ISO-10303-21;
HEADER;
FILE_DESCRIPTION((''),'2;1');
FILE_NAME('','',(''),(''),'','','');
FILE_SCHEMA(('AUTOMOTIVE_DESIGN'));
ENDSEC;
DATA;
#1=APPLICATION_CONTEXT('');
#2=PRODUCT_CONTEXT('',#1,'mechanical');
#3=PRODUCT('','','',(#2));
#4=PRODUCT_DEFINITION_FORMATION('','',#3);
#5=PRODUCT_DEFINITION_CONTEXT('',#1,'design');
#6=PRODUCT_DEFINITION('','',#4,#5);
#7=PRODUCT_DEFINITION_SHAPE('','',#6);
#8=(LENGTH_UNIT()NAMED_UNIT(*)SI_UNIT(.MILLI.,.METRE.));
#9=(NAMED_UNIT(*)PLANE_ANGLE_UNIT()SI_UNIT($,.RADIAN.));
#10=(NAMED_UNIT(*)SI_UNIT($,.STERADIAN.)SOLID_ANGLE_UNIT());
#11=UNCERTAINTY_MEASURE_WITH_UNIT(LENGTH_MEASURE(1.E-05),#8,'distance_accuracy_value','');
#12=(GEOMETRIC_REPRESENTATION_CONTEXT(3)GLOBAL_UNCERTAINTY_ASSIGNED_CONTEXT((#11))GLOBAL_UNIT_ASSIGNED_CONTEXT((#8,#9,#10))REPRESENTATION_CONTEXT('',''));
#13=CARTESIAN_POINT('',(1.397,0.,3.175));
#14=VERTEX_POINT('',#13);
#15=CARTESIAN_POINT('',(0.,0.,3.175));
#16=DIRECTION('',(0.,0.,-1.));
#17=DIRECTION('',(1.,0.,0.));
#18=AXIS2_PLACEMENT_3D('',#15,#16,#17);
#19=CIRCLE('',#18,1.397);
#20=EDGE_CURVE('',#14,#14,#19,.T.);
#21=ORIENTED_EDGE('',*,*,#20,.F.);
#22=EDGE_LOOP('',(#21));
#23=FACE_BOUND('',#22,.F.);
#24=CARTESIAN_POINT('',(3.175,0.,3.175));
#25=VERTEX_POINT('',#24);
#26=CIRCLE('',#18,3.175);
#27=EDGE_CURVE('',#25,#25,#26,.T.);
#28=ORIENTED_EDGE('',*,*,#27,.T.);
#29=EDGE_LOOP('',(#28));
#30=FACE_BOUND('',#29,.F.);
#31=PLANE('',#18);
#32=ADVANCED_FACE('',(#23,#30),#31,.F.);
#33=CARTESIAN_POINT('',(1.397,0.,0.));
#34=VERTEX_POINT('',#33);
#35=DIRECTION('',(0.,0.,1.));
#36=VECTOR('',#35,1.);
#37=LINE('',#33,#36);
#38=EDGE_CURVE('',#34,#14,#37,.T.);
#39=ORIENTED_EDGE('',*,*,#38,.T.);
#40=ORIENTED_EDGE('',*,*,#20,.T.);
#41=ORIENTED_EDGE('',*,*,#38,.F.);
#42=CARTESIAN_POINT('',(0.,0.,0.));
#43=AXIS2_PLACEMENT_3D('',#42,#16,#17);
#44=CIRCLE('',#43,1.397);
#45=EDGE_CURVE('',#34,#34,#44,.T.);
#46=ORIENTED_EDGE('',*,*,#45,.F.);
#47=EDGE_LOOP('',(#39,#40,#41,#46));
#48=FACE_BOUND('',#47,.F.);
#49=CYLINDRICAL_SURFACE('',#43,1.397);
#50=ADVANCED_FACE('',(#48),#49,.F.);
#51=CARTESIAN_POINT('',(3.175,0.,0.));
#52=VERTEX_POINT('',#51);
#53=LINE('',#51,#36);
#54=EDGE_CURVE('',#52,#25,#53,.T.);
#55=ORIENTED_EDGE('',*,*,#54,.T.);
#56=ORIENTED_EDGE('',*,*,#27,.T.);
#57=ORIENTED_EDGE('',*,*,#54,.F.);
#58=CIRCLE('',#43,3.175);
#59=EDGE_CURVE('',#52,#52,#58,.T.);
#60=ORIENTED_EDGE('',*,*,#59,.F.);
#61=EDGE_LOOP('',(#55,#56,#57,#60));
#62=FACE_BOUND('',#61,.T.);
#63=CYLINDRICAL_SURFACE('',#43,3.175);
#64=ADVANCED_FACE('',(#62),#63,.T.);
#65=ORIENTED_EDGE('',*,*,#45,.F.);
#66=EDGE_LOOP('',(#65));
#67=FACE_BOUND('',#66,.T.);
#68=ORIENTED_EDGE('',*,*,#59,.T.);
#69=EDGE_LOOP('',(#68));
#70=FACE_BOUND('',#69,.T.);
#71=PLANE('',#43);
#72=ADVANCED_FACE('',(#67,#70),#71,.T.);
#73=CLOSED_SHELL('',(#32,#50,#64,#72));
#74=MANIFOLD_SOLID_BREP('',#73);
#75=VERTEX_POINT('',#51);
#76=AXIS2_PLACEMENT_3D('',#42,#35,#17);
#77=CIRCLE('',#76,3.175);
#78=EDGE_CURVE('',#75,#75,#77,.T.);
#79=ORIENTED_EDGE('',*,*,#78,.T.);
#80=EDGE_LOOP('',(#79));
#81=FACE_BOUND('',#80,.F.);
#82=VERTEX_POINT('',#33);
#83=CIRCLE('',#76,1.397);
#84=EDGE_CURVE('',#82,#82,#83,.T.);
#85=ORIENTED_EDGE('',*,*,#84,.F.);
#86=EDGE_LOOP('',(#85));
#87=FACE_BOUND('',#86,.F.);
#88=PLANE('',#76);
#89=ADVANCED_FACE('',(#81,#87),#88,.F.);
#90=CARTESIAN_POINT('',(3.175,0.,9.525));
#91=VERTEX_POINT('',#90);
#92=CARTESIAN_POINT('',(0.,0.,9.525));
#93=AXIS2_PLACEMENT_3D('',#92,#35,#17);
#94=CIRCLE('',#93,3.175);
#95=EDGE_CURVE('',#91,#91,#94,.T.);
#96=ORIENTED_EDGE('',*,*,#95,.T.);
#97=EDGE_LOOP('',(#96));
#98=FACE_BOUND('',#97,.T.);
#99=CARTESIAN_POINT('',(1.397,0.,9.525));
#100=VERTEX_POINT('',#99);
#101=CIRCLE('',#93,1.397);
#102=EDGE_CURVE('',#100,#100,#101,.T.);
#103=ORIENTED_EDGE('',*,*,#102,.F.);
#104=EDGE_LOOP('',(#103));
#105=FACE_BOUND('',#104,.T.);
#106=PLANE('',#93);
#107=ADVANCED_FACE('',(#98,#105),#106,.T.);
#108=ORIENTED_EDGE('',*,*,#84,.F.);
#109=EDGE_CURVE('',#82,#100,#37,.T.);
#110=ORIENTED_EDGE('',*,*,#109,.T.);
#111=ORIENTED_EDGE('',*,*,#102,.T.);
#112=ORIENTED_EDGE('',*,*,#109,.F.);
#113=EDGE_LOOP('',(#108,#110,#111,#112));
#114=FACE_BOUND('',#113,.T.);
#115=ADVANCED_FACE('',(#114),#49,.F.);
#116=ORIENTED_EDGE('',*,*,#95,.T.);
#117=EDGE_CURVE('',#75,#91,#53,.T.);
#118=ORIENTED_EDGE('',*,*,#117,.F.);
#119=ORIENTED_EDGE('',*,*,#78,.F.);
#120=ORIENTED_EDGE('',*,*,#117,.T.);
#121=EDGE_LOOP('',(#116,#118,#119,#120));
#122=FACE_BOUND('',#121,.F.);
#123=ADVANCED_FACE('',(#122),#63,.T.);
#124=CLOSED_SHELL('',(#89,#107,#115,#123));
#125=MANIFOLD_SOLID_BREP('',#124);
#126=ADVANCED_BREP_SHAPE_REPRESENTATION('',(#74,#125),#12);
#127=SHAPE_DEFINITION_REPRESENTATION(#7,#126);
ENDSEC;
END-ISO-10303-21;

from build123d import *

# Parameters (mm, degrees)
F0_R        = 3.175
F0_R_2      = 1.397
F1_DEPTH    = 9.525
F1_FACE_R   = 3.175
F1_FACE_R_2 = 1.397
F2_DEPTH    = 3.175


with BuildPart() as f1:
    # F0 (on Top) → F1 (new body)
    with BuildSketch(Plane.XY):
        Circle(F0_R)
        Circle(F0_R_2, mode=Mode.SUBTRACT)
    extrude(amount=F1_DEPTH)


with BuildPart() as f2:
    # F1_face (on face) → F2 (new body)
    with BuildSketch(Plane(origin=(0, 0, 0), x_dir=(1, 0, 0), z_dir=(0, 0, -1))):
        Circle(F1_FACE_R)
        Circle(F1_FACE_R_2, mode=Mode.SUBTRACT)
    extrude(amount=-F2_DEPTH)


solid = Compound([f1.part, f2.part])
